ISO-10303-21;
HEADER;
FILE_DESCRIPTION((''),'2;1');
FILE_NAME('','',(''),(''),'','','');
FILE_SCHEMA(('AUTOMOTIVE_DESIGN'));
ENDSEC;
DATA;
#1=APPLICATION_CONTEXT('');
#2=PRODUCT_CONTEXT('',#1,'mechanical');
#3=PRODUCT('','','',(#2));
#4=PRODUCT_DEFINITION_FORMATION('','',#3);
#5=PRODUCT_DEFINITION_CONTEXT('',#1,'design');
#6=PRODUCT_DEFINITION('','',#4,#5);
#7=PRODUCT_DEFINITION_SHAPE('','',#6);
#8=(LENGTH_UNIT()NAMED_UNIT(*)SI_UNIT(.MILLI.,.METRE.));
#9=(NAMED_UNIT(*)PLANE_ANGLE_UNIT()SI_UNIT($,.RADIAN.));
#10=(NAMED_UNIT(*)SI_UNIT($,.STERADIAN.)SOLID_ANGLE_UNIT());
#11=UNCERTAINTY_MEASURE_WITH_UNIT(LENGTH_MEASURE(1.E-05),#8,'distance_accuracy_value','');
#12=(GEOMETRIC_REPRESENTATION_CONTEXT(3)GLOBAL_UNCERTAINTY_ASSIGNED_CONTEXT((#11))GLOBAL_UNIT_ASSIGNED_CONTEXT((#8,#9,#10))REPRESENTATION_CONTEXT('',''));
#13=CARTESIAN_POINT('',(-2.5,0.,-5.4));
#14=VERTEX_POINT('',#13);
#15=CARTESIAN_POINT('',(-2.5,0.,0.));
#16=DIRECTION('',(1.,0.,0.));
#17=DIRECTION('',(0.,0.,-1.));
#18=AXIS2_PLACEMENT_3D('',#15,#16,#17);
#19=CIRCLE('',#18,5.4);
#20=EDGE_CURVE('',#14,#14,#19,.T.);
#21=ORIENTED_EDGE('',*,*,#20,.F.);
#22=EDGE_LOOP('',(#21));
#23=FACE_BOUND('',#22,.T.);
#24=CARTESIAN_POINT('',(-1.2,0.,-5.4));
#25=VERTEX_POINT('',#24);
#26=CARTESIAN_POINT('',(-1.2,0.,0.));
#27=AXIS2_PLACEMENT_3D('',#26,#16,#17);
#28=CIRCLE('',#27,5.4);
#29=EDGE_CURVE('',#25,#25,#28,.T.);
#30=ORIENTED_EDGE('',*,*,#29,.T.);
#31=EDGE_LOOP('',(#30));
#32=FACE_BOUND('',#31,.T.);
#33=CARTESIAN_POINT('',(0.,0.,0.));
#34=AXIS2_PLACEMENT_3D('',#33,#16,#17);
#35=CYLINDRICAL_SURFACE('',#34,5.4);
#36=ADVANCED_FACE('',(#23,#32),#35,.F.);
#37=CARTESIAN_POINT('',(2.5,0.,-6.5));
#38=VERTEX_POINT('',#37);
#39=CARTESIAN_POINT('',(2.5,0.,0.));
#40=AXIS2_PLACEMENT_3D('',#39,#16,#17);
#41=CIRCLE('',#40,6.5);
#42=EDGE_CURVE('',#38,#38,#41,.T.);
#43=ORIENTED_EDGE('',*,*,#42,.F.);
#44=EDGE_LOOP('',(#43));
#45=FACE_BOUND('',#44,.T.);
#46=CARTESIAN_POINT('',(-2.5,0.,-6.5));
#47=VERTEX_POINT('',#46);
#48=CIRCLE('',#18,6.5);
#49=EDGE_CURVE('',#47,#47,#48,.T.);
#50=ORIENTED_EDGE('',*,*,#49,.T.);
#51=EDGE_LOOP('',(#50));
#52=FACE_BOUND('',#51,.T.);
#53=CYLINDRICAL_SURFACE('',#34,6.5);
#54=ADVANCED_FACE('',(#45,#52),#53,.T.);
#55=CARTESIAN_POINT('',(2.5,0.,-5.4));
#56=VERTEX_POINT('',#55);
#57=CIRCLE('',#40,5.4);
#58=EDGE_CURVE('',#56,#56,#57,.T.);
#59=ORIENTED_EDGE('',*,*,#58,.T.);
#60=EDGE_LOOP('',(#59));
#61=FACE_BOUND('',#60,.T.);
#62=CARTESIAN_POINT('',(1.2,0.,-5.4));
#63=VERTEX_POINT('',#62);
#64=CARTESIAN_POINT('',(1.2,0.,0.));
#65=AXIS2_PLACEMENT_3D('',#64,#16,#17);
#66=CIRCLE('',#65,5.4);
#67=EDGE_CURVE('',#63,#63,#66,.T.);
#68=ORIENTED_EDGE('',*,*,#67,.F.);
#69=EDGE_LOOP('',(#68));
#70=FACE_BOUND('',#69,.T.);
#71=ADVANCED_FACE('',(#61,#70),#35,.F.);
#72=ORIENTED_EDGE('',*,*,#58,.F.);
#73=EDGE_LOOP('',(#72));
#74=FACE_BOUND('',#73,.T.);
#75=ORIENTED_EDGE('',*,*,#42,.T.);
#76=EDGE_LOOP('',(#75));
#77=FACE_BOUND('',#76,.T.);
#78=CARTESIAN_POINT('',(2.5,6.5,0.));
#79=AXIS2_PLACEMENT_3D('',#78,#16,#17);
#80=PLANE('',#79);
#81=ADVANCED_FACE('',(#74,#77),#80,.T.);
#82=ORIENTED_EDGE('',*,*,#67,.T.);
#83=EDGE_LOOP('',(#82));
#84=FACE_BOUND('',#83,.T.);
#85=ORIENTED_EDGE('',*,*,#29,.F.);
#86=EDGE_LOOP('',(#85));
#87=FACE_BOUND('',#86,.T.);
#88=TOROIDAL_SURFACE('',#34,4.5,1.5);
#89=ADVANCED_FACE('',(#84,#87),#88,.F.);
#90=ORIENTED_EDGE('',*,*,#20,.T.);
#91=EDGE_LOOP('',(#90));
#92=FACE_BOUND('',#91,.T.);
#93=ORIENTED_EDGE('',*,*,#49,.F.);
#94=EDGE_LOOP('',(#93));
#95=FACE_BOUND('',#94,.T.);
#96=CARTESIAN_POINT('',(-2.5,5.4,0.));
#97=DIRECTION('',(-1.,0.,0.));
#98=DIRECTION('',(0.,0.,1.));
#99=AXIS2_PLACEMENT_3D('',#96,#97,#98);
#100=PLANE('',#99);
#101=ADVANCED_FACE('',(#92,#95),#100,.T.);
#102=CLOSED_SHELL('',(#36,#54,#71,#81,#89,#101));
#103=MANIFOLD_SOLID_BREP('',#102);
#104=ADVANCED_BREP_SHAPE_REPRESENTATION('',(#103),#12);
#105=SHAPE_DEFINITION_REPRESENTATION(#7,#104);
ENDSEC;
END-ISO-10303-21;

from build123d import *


with BuildPart() as part:
    # Çizim2 → Döndür1 (revolve)
    with BuildSketch(Plane.XY):
        with BuildLine():
            Line((-2.5, 6.5), (2.5, 6.5))
            Line((2.5, 6.5), (2.5, 5.4))
            Line((2.5, 5.4), (1.2, 5.4))
            ThreePointArc((1.2, 5.4), (0, 6), (-1.2, 5.4))
            Line((-1.2, 5.4), (-2.5, 5.4))
            Line((-2.5, 5.4), (-2.5, 6.5))
        make_face()
    revolve(axis=Axis((0, 0, 0), (-1, 0, 0)))


solid = part.part
